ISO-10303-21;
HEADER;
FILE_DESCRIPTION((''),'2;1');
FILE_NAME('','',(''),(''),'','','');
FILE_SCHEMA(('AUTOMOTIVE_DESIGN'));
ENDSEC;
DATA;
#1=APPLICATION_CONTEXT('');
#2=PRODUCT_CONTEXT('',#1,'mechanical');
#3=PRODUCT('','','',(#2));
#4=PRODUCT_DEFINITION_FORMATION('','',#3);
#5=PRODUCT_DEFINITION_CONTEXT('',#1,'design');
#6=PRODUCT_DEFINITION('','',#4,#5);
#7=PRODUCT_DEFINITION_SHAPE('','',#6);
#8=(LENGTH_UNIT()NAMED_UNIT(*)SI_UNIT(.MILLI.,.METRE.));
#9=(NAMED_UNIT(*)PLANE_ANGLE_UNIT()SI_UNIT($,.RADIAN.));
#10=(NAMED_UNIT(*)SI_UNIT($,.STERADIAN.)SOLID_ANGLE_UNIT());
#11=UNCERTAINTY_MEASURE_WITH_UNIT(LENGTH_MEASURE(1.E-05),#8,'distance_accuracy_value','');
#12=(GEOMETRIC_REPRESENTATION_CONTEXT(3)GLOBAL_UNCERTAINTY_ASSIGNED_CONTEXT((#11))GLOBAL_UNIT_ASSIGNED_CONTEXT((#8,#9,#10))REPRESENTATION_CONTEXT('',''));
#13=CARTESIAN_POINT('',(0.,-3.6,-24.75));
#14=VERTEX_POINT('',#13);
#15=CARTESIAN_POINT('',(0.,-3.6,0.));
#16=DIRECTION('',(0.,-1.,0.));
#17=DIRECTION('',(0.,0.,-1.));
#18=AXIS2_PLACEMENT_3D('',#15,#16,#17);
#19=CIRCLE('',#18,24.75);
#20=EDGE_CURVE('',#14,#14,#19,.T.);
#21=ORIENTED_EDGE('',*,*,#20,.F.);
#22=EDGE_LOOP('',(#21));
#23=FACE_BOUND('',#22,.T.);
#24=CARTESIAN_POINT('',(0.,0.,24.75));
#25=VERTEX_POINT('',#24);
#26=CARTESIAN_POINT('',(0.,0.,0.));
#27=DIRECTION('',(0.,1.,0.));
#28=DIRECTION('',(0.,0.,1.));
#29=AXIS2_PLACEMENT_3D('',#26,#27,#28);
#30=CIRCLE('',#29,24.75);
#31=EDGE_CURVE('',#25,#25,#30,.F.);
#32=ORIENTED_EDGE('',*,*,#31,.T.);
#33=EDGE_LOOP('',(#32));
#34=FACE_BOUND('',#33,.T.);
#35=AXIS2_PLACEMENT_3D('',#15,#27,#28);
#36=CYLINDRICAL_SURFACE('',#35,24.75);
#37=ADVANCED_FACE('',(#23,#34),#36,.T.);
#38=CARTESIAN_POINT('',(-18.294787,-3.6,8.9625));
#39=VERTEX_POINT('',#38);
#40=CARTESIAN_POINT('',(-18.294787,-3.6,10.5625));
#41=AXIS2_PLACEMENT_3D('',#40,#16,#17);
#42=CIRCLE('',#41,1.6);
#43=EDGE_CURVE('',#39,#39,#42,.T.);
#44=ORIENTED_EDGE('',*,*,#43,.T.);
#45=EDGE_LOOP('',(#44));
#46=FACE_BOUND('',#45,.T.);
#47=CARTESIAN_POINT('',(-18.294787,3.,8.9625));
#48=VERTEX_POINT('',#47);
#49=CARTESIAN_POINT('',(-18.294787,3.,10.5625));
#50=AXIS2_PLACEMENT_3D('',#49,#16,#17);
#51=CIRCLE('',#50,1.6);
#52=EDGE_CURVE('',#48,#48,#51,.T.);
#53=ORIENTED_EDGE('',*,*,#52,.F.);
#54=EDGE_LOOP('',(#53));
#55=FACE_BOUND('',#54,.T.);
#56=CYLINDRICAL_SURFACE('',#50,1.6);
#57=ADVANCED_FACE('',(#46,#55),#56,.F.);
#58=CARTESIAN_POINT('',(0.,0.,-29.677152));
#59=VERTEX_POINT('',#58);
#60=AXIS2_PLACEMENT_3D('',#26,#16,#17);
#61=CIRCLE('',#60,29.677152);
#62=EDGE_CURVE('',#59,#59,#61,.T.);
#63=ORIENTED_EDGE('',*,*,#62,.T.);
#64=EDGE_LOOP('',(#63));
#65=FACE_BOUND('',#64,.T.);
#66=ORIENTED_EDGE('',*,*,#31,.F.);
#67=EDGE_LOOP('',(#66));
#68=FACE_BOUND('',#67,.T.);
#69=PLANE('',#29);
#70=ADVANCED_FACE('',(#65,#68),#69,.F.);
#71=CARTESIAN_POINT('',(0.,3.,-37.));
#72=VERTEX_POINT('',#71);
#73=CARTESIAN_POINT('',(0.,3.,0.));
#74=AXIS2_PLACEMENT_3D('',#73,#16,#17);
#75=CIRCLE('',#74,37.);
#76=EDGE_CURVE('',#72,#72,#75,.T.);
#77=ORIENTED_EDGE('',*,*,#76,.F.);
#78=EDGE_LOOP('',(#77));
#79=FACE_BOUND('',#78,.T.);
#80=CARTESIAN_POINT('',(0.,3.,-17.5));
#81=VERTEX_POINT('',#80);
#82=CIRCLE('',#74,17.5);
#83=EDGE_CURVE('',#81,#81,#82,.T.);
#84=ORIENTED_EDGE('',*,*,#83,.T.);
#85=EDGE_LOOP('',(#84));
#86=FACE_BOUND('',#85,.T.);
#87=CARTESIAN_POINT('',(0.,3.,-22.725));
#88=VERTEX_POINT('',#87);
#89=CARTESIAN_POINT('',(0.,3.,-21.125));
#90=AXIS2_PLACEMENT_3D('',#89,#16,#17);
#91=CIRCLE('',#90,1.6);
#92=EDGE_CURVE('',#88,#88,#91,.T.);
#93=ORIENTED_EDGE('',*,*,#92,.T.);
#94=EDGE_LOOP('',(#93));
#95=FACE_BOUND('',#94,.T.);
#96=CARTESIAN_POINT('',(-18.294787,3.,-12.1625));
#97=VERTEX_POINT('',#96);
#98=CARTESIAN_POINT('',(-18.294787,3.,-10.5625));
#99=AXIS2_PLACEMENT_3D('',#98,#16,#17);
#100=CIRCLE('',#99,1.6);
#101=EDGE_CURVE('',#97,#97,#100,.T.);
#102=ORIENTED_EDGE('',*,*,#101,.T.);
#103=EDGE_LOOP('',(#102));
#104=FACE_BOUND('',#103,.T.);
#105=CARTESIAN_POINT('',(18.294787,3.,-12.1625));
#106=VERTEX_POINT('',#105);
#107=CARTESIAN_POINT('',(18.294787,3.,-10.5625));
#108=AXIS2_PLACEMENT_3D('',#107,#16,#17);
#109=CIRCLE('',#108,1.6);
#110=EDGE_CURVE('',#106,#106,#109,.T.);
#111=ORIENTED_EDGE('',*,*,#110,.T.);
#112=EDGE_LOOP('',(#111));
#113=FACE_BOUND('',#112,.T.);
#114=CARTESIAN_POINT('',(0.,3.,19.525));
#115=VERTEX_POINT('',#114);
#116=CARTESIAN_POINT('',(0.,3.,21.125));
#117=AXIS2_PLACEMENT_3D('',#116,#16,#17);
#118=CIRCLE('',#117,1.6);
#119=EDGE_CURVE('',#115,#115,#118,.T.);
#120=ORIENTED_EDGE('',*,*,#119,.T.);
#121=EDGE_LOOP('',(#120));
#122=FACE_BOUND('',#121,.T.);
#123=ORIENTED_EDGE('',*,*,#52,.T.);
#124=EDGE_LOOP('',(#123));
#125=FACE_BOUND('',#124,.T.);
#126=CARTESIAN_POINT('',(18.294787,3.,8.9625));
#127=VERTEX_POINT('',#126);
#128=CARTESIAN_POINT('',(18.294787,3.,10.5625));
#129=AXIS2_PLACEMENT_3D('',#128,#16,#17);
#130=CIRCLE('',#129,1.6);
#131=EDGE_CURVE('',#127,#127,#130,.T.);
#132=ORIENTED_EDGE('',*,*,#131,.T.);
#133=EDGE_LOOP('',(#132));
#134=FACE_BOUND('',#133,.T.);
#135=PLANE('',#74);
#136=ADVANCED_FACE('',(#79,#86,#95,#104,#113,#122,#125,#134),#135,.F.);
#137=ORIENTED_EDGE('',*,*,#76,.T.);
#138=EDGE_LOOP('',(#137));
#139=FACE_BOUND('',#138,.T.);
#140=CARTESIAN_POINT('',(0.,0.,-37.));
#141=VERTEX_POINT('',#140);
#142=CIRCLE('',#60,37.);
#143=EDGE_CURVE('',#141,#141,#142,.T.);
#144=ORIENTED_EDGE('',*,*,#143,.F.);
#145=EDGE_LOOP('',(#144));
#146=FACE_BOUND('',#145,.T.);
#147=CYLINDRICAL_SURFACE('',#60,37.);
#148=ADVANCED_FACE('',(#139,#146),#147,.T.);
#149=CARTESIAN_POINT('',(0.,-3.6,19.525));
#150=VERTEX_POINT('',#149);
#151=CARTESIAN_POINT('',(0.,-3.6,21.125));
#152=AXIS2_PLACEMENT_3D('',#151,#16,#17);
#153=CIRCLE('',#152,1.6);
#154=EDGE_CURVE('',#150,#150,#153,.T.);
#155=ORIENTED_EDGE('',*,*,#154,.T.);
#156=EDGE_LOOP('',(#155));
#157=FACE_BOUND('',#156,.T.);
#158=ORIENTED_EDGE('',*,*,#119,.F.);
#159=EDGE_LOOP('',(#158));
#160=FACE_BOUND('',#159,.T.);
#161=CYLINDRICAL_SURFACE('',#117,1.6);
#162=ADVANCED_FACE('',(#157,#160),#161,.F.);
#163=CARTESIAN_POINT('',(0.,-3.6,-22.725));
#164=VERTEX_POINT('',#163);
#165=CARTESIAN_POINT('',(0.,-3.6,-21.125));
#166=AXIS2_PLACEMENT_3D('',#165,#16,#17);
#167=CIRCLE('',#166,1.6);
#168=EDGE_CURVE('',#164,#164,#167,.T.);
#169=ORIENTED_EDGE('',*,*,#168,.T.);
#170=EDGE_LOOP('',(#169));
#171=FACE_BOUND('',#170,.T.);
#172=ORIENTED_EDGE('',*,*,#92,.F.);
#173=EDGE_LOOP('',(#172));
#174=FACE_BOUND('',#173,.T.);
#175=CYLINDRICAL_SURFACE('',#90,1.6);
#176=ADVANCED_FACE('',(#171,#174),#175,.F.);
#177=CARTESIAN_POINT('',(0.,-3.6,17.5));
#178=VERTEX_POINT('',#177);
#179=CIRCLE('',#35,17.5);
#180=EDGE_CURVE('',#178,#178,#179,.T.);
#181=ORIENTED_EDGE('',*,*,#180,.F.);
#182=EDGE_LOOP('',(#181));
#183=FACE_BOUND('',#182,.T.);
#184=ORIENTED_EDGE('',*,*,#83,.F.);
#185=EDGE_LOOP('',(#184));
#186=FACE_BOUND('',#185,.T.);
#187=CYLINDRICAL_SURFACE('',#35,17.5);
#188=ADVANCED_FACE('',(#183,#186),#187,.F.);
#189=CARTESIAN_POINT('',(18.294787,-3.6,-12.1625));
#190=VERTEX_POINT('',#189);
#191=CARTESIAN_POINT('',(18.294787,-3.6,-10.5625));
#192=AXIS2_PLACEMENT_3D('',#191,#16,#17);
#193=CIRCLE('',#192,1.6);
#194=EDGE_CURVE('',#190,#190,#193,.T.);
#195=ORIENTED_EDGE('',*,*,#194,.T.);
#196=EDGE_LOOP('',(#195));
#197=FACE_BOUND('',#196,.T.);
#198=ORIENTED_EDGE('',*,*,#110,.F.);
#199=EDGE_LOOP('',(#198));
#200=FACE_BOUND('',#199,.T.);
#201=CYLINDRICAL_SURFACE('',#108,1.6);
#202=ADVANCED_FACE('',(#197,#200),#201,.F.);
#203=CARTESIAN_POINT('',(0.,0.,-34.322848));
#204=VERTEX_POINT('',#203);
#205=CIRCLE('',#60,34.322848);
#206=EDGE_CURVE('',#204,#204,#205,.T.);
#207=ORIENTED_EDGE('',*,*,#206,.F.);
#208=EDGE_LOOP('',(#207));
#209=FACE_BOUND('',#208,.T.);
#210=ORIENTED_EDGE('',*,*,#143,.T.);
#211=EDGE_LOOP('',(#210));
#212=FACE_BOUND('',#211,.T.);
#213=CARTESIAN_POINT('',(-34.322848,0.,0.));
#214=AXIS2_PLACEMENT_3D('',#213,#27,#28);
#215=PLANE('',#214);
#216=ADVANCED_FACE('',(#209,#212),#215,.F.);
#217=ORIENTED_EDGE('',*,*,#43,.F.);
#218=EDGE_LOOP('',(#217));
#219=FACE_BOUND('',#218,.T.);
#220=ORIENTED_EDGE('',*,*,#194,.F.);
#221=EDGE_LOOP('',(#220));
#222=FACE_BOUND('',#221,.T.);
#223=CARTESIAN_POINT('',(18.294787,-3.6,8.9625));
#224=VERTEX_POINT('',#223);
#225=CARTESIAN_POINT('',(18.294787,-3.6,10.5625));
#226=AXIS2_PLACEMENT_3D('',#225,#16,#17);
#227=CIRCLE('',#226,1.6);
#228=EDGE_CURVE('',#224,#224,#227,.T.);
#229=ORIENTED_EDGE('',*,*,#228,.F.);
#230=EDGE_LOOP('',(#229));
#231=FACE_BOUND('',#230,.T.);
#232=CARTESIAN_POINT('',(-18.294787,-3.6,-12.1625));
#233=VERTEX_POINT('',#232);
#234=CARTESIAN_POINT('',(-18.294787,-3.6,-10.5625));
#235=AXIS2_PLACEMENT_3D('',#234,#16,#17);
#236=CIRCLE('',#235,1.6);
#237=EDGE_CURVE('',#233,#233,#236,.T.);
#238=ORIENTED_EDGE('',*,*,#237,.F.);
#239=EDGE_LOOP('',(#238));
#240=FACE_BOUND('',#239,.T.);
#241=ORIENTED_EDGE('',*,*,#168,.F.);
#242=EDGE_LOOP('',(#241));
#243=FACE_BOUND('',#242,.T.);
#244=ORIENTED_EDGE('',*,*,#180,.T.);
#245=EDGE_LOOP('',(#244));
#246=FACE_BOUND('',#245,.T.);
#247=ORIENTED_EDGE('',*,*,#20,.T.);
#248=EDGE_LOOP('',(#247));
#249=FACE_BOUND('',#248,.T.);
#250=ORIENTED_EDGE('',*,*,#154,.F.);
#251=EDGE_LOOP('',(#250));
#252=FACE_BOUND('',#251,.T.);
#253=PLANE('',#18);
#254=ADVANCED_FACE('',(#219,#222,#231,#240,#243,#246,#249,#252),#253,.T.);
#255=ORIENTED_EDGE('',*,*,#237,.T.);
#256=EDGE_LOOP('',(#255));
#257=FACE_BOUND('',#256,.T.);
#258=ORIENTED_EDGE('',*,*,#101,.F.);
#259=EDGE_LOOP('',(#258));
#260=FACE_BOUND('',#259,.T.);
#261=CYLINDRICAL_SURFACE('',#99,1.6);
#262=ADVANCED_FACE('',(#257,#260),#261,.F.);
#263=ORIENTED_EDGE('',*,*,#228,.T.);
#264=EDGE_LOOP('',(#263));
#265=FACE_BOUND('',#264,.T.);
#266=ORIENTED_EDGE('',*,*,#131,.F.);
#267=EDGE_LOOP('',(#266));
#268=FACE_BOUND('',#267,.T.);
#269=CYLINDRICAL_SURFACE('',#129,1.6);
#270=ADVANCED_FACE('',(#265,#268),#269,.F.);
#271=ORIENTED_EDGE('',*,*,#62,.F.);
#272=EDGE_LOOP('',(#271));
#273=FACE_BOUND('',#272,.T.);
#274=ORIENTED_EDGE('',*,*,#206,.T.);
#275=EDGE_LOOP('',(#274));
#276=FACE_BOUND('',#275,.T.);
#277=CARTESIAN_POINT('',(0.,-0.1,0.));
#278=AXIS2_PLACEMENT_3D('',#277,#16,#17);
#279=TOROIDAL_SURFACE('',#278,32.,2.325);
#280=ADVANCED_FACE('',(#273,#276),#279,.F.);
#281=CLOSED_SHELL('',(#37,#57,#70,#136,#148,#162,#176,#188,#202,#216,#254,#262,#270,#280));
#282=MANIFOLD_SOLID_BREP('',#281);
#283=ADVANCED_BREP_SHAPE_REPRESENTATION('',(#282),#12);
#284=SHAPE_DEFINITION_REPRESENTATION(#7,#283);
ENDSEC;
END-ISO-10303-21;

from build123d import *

# Parameters (mm, degrees)
SKETCH3_R               = 24.75
BOSS_EXTRUDE1_DEPTH     = 3.6
CUT_EXTRUDE1_DEPTH      = 53.740496774
CUT_EXTRUDE1_DEPTH_BACK = 53.740496774
SKETCH4_R               = 17.5
CUT_EXTRUDE2_DEPTH      = 53.740496774
CUT_EXTRUDE2_DEPTH_BACK = 53.740496774
SKETCH5_R               = 1.6


with BuildPart() as part:
    # Sketch2 → Revolve1 (revolve)
    with BuildSketch(Plane.XY, mode=Mode.PRIVATE) as revolve1_sk:
        with BuildLine():
            Line((-34.322848467, 0), (-37, 0))
            Line((-37, 0), (-37, 3))
            Line((-37, 3), (0, 3))
            Line((0, 3), (0, 0))
            Line((0, 0), (-29.677151533, 0))
            ThreePointArc((-29.677151533, 0), (-32, 2.225), (-34.322848467, 0))
        make_face()
    revolve(revolve1_sk.sketch.rotate(Axis((0, 0, 0), (0, 1, 0)), 270), axis=Axis((0, 0, 0), (0, 1, 0)))

    # Sketch3 → Boss-Extrude1 (add)
    with BuildSketch(Plane.XZ):
        with Locations(Location((0, 0, 0), (0, 0, 90))):
            Circle(SKETCH3_R)
    extrude(amount=BOSS_EXTRUDE1_DEPTH)

    # Sketch4 → Cut-Extrude1 (cut, two sides: drawn at the far end of the back side and taken through both)
    with BuildSketch(Plane(origin=(0, 3, 0), x_dir=(1, 0, 0), z_dir=(0, 1, 0)).offset(-CUT_EXTRUDE1_DEPTH_BACK)):
        with Locations(Location((0, 0, 0), (0, 0, 270))):
            Circle(SKETCH4_R)
    extrude(amount=CUT_EXTRUDE1_DEPTH + CUT_EXTRUDE1_DEPTH_BACK, mode=Mode.SUBTRACT)

    # Sketch5 → Cut-Extrude2 (cut, two sides: drawn at the far end of the back side and taken through both)
    with BuildSketch(Plane.XZ.offset(3.6).offset(-CUT_EXTRUDE2_DEPTH_BACK)):
        with Locations(Location((-18.294786655, 10.5625, 0), (0, 0, 270))):
            Circle(SKETCH5_R)
        with Locations(Location((-18.294786655, -10.5625, 0), (0, 0, 270))):
            Circle(SKETCH5_R)
        with Locations(Location((0, -21.125, 0), (0, 0, 270))):
            Circle(SKETCH5_R)
        with Locations(Location((0, 21.125, 0), (0, 0, 270))):
            Circle(SKETCH5_R)
        with Locations(Location((18.294786655, -10.5625, 0), (0, 0, 270))):
            Circle(SKETCH5_R)
        with Locations(Location((18.294786655, 10.5625, 0), (0, 0, 270))):
            Circle(SKETCH5_R)
    extrude(amount=CUT_EXTRUDE2_DEPTH + CUT_EXTRUDE2_DEPTH_BACK, mode=Mode.SUBTRACT)


solid = part.part
